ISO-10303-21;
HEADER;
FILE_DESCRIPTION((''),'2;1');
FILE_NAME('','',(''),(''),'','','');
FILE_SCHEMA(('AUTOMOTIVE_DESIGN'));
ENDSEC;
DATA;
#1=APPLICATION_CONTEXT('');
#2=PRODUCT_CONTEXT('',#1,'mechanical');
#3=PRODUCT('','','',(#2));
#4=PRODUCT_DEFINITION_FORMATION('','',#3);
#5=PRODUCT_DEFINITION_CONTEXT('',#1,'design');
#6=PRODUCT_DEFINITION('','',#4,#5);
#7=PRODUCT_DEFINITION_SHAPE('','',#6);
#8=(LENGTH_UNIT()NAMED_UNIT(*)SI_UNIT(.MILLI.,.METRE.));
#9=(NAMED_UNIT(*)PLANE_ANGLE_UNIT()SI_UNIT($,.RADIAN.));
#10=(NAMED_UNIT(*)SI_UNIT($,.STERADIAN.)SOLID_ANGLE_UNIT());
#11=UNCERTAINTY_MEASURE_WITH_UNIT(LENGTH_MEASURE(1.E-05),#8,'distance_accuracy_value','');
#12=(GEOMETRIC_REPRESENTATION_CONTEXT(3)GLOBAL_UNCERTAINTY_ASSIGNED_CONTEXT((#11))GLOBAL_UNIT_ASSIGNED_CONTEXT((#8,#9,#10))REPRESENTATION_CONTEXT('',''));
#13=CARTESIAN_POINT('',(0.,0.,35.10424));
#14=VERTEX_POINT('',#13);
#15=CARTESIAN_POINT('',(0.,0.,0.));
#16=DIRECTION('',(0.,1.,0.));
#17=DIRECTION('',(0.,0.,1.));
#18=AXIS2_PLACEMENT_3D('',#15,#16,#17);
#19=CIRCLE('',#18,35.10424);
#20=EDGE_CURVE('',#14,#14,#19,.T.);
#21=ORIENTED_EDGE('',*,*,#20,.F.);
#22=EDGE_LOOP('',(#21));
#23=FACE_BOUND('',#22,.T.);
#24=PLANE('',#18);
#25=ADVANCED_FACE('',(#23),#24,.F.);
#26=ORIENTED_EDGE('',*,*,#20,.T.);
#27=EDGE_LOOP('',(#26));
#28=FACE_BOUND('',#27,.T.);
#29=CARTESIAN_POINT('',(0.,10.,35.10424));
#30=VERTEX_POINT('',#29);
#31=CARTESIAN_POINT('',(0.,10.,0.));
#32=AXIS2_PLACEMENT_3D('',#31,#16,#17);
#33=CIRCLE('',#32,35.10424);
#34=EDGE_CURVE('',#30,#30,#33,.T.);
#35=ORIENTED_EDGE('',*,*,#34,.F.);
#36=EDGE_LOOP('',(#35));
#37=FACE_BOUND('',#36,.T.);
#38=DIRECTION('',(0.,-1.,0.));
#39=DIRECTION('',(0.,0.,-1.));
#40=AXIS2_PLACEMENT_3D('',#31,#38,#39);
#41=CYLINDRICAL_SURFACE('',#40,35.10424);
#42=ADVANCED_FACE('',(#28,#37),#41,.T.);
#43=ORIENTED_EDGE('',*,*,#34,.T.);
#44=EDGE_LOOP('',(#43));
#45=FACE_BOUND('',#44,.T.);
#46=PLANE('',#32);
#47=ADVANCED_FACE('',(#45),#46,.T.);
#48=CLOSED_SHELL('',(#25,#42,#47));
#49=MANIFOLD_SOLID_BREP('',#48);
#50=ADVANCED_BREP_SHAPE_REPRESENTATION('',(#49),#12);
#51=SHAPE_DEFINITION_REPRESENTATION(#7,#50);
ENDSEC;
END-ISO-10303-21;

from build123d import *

# Parameters (mm, degrees)
SKETCH1_R           = 35.104239728
BOSS_EXTRUDE1_DEPTH = 10


with BuildPart() as part:
    # Sketch1 → Boss-Extrude1 (new body)
    with BuildSketch(Plane(origin=(0, 0, 0), x_dir=(1, 0, 0), z_dir=(0, 1, 0))):
        with Locations(Location((0, 0, 0), (0, 0, 270))):
            Circle(SKETCH1_R)
    extrude(amount=BOSS_EXTRUDE1_DEPTH)


solid = part.part
